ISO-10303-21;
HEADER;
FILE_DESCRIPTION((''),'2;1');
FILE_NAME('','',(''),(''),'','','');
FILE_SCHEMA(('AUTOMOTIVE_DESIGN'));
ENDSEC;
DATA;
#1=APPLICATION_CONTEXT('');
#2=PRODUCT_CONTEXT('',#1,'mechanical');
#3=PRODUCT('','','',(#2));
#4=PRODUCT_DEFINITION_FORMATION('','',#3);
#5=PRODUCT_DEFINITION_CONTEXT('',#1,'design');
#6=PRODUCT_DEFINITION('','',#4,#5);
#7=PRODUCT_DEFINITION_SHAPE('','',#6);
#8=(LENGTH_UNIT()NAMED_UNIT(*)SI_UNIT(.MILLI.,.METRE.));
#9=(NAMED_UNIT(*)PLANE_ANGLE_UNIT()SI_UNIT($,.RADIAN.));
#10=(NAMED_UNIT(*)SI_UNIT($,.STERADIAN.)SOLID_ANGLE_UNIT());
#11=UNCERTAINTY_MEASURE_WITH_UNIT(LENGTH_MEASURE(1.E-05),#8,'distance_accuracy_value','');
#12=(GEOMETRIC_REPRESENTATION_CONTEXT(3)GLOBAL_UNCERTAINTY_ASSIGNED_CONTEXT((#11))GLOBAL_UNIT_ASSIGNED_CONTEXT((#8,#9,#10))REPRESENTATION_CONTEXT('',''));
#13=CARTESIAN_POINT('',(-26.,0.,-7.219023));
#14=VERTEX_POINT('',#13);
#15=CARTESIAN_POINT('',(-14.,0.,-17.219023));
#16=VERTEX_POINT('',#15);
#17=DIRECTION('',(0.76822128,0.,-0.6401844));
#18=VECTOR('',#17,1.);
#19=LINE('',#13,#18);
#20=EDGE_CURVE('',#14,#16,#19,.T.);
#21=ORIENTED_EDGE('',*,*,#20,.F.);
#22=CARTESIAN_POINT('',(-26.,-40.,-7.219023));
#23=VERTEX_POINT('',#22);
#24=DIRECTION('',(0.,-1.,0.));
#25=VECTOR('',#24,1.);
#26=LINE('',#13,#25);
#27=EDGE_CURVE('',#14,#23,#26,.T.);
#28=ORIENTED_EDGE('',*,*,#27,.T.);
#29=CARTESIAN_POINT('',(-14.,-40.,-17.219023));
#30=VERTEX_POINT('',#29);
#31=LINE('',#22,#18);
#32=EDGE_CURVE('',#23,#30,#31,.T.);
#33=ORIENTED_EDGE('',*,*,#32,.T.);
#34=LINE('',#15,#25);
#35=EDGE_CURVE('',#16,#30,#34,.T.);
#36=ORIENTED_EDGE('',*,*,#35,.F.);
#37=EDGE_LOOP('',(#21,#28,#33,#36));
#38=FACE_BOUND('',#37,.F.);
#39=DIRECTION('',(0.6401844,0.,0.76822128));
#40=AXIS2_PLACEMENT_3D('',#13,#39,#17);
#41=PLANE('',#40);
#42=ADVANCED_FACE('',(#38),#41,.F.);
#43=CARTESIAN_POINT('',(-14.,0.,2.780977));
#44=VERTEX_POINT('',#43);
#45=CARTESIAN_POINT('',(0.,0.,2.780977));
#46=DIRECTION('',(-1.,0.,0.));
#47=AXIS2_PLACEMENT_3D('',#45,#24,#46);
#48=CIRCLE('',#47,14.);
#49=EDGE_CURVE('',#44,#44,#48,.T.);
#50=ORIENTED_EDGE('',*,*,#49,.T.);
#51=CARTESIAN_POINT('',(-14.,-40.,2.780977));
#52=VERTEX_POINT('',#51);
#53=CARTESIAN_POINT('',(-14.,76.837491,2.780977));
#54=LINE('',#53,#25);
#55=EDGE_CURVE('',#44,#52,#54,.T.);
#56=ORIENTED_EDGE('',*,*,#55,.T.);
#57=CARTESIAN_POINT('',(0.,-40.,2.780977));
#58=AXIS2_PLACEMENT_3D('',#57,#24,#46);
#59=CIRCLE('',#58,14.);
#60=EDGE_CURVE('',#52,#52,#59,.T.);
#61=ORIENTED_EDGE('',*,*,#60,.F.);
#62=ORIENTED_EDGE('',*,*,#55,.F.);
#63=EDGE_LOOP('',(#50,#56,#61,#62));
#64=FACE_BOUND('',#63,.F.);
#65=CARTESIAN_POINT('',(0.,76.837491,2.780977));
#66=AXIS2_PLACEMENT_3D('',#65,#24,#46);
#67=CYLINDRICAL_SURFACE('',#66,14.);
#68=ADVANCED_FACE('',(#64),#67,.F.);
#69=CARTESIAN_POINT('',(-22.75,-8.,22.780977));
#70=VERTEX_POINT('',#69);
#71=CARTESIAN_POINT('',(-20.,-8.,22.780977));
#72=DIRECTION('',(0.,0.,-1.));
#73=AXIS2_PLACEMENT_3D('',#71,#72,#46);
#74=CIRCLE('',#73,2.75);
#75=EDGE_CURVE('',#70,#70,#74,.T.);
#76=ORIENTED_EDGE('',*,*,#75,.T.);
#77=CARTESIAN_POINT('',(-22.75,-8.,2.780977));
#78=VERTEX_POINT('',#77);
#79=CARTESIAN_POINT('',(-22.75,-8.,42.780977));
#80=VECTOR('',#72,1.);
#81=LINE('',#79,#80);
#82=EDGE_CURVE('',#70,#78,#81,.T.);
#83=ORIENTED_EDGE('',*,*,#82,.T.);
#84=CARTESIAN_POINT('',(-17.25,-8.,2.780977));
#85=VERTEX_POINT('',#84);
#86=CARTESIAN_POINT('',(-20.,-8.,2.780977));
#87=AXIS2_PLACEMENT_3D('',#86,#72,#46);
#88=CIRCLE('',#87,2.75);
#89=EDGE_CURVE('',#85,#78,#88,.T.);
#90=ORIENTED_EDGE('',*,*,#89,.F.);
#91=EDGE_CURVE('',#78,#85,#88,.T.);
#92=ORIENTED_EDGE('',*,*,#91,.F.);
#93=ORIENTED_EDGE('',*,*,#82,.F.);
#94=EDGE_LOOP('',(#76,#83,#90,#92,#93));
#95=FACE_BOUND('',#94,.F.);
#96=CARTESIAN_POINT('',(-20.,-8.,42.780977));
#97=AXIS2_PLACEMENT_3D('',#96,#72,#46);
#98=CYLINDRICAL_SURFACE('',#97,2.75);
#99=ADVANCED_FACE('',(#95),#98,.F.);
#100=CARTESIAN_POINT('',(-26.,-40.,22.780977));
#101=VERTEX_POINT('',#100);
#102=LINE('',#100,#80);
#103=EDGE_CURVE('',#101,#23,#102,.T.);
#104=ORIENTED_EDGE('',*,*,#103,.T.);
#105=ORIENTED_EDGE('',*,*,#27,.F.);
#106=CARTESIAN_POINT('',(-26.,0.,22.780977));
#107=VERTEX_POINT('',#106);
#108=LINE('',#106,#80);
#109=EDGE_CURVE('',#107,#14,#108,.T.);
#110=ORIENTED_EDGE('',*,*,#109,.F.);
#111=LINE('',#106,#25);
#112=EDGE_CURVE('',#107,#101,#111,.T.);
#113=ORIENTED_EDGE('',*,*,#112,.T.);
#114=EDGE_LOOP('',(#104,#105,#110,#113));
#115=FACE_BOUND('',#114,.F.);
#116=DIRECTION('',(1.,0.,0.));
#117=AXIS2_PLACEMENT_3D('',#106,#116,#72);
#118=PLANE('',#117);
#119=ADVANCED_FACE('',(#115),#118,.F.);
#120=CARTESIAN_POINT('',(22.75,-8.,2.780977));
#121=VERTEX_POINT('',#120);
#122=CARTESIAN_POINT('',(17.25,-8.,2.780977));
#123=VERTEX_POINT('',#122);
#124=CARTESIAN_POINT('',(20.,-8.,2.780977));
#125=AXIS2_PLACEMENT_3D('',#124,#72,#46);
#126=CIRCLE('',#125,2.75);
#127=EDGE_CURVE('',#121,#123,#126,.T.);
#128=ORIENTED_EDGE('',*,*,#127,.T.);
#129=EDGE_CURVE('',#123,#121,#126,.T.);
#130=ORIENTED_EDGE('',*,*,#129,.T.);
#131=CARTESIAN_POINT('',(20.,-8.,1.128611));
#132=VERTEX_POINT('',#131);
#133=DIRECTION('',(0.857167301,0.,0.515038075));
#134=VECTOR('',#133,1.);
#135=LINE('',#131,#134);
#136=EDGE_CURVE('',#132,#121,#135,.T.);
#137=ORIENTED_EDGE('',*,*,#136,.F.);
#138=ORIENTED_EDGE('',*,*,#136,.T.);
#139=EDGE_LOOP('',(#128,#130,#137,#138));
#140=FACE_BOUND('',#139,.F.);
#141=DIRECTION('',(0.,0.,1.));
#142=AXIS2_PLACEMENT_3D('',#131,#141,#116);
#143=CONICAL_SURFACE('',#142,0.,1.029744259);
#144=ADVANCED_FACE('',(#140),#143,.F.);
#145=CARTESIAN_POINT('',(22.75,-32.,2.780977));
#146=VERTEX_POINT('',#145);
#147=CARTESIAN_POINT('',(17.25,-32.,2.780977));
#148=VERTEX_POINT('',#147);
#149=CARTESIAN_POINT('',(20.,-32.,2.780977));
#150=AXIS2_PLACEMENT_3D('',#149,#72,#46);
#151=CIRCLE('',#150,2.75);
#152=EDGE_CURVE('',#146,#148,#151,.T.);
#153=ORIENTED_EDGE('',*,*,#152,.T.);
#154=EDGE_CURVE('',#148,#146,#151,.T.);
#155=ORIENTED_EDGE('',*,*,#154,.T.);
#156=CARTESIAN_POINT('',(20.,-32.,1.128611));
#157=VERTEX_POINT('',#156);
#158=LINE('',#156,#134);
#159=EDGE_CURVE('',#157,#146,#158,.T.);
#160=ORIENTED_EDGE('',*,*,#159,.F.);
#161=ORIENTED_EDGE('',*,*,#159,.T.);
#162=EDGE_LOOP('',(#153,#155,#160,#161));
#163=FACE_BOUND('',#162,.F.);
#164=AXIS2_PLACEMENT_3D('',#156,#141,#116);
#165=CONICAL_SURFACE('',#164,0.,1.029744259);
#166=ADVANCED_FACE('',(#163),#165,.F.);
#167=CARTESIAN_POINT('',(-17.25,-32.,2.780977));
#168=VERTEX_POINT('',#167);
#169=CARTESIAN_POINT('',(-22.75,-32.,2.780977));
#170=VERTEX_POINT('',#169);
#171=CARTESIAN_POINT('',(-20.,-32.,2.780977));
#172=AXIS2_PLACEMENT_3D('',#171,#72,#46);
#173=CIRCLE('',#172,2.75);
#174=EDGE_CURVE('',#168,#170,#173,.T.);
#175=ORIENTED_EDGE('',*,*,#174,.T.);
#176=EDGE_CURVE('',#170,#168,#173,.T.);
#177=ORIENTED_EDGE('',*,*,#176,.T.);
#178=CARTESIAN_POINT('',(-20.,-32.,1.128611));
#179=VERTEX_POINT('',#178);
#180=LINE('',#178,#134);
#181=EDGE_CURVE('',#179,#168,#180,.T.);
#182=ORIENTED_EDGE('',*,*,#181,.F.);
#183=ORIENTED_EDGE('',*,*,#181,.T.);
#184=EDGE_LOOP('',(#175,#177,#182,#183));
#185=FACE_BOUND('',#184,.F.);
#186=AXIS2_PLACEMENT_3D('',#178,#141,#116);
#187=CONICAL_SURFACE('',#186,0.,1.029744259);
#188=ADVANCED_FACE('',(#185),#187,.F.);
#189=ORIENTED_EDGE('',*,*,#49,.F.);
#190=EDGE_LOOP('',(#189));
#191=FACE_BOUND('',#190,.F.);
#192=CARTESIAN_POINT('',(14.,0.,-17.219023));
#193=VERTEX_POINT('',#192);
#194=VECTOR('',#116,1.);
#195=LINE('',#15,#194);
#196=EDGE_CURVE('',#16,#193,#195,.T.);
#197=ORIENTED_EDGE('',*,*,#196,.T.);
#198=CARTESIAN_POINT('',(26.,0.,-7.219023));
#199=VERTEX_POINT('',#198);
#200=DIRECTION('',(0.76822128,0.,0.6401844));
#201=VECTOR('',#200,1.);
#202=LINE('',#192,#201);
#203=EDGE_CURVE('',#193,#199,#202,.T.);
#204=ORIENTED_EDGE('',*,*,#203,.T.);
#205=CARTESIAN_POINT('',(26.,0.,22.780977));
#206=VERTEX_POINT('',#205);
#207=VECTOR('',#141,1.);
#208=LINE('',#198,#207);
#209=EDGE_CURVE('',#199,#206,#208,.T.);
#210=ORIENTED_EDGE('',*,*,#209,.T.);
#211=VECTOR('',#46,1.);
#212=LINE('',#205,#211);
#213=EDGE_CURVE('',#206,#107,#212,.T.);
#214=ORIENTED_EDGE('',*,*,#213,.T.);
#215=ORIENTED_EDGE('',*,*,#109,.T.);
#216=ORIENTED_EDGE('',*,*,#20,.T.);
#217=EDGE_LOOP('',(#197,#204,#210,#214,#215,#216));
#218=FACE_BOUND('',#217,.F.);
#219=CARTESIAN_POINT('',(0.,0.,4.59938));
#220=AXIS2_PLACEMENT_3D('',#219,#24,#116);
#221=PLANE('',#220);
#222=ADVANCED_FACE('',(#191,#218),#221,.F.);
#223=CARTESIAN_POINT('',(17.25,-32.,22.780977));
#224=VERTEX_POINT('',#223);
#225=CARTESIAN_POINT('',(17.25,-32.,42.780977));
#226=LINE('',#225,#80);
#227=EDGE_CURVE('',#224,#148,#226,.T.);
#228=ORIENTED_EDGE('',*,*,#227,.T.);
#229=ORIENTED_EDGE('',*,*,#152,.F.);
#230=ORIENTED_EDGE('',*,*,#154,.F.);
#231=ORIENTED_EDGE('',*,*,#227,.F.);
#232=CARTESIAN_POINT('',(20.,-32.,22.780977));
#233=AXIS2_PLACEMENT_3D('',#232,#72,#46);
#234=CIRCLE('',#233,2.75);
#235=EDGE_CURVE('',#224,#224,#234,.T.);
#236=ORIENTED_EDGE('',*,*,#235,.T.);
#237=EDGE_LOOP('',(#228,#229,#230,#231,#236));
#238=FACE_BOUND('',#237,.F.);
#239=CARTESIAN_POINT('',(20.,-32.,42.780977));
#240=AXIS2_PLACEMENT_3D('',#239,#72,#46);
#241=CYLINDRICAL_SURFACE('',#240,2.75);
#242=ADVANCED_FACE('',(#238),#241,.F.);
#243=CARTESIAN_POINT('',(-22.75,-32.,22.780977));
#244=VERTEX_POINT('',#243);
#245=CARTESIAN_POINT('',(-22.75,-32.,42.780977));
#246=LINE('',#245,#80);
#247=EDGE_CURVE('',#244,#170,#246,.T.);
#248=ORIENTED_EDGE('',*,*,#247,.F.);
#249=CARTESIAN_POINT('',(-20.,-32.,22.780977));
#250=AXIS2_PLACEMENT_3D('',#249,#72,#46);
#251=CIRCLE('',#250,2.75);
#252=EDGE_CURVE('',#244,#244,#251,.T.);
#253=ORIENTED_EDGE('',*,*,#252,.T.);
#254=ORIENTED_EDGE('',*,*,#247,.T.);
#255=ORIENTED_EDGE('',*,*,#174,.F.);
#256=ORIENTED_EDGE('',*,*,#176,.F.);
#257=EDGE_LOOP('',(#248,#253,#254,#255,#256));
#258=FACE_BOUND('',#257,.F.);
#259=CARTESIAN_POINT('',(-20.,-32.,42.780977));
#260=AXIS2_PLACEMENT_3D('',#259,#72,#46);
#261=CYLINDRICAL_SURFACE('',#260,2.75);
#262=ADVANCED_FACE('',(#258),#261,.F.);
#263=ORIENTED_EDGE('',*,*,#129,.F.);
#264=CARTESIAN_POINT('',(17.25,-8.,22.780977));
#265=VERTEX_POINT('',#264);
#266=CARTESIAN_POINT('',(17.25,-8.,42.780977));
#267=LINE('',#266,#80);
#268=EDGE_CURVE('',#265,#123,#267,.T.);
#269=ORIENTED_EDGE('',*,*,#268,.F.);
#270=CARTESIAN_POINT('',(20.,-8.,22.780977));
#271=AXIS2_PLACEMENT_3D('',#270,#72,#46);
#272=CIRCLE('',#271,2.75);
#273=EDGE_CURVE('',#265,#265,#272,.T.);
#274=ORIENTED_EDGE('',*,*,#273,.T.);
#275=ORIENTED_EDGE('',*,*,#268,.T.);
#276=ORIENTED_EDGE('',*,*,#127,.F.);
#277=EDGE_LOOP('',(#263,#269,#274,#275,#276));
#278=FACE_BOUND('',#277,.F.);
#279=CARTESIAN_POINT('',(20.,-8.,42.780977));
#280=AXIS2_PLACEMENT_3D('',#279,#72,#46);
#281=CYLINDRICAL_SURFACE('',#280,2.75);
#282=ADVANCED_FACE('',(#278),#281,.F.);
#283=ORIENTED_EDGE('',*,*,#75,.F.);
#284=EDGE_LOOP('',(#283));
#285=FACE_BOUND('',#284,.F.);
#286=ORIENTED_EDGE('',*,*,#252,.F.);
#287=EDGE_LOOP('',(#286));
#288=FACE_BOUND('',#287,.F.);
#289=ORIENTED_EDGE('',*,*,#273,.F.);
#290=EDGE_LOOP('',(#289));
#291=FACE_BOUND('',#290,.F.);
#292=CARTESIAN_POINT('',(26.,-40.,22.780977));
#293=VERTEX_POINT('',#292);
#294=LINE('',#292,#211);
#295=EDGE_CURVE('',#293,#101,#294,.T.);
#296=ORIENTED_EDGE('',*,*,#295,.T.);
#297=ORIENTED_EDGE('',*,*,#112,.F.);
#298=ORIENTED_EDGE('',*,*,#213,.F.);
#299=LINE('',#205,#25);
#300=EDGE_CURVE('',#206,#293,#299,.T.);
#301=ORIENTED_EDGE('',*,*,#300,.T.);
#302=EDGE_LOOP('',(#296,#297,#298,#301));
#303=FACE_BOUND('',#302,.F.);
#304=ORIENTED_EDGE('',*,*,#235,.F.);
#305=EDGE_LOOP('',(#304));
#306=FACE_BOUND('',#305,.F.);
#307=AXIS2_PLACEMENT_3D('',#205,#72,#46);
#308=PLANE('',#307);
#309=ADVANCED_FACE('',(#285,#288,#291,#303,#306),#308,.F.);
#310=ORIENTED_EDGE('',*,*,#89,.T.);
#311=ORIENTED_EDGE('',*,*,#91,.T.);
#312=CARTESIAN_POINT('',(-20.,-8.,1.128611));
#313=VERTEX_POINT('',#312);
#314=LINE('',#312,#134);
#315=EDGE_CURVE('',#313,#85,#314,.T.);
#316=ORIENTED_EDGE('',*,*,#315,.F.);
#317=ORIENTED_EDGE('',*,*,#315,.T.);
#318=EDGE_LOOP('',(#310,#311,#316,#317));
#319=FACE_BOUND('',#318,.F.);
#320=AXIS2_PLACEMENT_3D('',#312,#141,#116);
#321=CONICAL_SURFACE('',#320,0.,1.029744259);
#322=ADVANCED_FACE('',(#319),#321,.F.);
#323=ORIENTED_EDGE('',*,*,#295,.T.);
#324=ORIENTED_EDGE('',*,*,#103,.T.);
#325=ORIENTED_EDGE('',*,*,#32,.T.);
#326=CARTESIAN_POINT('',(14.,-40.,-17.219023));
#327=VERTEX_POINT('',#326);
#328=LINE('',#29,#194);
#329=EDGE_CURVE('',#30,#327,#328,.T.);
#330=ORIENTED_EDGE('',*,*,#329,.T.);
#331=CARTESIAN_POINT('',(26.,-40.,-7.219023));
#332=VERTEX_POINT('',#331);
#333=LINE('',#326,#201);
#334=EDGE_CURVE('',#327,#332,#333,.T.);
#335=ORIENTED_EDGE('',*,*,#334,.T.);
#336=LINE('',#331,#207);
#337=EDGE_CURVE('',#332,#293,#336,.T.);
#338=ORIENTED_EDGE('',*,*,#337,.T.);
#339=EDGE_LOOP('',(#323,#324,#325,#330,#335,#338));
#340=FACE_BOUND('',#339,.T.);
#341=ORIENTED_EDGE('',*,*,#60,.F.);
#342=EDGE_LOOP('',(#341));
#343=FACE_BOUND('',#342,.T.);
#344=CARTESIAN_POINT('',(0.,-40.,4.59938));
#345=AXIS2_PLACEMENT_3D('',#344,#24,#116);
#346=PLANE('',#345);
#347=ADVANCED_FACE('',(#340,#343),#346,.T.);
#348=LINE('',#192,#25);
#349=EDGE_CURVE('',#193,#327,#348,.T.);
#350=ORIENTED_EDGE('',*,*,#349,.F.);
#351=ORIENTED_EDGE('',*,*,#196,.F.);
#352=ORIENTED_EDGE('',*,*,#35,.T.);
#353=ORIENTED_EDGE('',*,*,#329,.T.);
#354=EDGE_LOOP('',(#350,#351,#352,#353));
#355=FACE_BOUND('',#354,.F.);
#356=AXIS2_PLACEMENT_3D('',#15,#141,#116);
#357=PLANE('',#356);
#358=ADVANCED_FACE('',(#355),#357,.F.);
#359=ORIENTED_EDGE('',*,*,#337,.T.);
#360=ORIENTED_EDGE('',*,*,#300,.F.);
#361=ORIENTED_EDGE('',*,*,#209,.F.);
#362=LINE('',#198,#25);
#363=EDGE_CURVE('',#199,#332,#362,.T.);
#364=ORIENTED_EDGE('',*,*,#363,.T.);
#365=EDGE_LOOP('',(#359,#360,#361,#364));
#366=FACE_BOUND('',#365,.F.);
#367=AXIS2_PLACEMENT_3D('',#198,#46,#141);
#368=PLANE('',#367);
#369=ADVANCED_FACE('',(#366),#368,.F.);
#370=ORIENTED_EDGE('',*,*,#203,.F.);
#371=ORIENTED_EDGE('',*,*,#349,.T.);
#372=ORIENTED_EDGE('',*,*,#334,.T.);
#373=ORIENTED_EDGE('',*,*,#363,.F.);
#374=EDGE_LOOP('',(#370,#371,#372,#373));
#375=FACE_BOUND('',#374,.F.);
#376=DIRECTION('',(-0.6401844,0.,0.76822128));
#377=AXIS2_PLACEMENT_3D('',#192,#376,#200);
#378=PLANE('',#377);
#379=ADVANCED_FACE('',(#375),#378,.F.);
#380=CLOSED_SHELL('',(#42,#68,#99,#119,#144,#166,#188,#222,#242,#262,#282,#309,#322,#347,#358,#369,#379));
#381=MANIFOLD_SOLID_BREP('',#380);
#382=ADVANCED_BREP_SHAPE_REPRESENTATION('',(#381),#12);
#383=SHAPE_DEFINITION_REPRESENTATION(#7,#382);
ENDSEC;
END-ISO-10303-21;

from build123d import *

# Parameters (mm, degrees)
F1_DEPTH = 40
F2_D     = 28
F4_D     = 5.5
F4_DEPTH = 20
F4_TIP   = 1.6523667023


with BuildPart() as f1:
    # F0 (on Front) → F1 (new body)
    with BuildSketch(Plane.XZ):
        Polygon((26, 22.7809774678), (-26, 22.7809774678), (-26, -7.2190225322), (-14, -17.2190225322), (14, -17.2190225322), (26, -7.2190225322), align=None)
    extrude(amount=F1_DEPTH)

    # F2 (through all)
    with Locations(Plane(origin=(0, 0, 0), x_dir=(1, 0, 0), z_dir=(0, 1, 0))):
        with Locations((0, -2.7809774678)):
            Hole(F2_D / 2)

    # F4
    with Locations(Plane.XY.offset(22.7809774678)):
        with Locations((-20, -8), (-20, -32), (20, -32), (20, -8)):
            Hole(F4_D / 2, depth=F4_DEPTH)
            with Locations((0, 0, -(F4_DEPTH + F4_TIP / 2))):  # 118° drill point
                Cone(0, F4_D / 2, F4_TIP, mode=Mode.SUBTRACT)


solid = f1.part
